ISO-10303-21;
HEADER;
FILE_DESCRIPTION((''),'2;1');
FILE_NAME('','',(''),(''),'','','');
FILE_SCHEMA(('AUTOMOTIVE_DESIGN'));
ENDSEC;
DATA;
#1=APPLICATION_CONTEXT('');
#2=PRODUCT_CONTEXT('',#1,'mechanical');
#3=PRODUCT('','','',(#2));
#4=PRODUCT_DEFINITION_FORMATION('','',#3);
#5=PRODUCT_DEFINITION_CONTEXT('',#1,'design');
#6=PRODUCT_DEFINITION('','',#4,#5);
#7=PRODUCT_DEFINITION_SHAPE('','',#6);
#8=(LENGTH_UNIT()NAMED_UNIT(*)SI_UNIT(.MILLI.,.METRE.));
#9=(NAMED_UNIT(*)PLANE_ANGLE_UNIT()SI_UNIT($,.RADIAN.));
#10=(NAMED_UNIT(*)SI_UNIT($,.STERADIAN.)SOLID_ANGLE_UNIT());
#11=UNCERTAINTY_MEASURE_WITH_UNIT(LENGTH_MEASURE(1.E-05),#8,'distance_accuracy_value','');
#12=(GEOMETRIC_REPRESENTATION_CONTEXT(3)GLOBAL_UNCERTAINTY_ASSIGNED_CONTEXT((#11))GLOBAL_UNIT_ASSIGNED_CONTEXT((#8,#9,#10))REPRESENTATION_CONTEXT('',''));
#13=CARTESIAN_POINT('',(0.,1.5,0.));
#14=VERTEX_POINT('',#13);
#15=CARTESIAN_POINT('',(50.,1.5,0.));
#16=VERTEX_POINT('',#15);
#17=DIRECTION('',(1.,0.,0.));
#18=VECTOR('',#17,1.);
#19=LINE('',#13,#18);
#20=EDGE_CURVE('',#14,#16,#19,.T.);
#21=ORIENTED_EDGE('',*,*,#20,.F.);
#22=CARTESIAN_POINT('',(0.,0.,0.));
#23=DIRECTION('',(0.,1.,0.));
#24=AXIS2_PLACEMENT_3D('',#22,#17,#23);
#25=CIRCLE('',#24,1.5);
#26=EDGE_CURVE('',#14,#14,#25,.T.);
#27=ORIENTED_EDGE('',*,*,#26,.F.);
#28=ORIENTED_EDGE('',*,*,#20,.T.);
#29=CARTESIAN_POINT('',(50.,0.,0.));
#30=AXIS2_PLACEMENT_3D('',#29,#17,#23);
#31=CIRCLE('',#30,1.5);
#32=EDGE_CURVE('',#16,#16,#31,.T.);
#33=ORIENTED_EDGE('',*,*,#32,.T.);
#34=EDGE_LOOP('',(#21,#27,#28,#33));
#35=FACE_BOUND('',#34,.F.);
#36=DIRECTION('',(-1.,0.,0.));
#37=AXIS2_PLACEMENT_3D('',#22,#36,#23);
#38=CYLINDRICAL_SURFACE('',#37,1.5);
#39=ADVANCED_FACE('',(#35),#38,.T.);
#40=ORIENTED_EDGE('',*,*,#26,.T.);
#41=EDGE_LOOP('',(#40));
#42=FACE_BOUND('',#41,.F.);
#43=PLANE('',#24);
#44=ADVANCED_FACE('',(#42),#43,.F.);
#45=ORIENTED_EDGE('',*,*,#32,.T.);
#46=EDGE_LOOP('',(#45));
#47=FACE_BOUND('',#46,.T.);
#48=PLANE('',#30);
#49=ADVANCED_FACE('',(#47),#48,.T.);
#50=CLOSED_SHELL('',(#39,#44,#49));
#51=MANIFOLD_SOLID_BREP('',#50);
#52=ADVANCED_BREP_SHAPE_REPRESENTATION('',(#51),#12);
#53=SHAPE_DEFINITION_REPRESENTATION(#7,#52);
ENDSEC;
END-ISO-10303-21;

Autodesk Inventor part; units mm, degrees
ref_plane "YZ Plane" through (0, 0, 0) normal (1, 0, 0) x (0, 1, 0)
ref_plane "XZ Plane" through (0, 0, 0) normal (0, 1, 0) x (-1, 0, 0)
ref_plane "XY Plane" through (0, 0, 0) normal (0, 0, 1) x (1, 0, 0)
sketch "スケッチ1" plane through (0, 0, 0) normal (1, 0, 0) x (0, 1, 0)
  circle A0 centre (0, 0) radius 1.5
  dimension "d0" = 3
extrude "押し出し1" add sketch "スケッチ1" along normal blind 50
properties part number "Shaft_3x50"
